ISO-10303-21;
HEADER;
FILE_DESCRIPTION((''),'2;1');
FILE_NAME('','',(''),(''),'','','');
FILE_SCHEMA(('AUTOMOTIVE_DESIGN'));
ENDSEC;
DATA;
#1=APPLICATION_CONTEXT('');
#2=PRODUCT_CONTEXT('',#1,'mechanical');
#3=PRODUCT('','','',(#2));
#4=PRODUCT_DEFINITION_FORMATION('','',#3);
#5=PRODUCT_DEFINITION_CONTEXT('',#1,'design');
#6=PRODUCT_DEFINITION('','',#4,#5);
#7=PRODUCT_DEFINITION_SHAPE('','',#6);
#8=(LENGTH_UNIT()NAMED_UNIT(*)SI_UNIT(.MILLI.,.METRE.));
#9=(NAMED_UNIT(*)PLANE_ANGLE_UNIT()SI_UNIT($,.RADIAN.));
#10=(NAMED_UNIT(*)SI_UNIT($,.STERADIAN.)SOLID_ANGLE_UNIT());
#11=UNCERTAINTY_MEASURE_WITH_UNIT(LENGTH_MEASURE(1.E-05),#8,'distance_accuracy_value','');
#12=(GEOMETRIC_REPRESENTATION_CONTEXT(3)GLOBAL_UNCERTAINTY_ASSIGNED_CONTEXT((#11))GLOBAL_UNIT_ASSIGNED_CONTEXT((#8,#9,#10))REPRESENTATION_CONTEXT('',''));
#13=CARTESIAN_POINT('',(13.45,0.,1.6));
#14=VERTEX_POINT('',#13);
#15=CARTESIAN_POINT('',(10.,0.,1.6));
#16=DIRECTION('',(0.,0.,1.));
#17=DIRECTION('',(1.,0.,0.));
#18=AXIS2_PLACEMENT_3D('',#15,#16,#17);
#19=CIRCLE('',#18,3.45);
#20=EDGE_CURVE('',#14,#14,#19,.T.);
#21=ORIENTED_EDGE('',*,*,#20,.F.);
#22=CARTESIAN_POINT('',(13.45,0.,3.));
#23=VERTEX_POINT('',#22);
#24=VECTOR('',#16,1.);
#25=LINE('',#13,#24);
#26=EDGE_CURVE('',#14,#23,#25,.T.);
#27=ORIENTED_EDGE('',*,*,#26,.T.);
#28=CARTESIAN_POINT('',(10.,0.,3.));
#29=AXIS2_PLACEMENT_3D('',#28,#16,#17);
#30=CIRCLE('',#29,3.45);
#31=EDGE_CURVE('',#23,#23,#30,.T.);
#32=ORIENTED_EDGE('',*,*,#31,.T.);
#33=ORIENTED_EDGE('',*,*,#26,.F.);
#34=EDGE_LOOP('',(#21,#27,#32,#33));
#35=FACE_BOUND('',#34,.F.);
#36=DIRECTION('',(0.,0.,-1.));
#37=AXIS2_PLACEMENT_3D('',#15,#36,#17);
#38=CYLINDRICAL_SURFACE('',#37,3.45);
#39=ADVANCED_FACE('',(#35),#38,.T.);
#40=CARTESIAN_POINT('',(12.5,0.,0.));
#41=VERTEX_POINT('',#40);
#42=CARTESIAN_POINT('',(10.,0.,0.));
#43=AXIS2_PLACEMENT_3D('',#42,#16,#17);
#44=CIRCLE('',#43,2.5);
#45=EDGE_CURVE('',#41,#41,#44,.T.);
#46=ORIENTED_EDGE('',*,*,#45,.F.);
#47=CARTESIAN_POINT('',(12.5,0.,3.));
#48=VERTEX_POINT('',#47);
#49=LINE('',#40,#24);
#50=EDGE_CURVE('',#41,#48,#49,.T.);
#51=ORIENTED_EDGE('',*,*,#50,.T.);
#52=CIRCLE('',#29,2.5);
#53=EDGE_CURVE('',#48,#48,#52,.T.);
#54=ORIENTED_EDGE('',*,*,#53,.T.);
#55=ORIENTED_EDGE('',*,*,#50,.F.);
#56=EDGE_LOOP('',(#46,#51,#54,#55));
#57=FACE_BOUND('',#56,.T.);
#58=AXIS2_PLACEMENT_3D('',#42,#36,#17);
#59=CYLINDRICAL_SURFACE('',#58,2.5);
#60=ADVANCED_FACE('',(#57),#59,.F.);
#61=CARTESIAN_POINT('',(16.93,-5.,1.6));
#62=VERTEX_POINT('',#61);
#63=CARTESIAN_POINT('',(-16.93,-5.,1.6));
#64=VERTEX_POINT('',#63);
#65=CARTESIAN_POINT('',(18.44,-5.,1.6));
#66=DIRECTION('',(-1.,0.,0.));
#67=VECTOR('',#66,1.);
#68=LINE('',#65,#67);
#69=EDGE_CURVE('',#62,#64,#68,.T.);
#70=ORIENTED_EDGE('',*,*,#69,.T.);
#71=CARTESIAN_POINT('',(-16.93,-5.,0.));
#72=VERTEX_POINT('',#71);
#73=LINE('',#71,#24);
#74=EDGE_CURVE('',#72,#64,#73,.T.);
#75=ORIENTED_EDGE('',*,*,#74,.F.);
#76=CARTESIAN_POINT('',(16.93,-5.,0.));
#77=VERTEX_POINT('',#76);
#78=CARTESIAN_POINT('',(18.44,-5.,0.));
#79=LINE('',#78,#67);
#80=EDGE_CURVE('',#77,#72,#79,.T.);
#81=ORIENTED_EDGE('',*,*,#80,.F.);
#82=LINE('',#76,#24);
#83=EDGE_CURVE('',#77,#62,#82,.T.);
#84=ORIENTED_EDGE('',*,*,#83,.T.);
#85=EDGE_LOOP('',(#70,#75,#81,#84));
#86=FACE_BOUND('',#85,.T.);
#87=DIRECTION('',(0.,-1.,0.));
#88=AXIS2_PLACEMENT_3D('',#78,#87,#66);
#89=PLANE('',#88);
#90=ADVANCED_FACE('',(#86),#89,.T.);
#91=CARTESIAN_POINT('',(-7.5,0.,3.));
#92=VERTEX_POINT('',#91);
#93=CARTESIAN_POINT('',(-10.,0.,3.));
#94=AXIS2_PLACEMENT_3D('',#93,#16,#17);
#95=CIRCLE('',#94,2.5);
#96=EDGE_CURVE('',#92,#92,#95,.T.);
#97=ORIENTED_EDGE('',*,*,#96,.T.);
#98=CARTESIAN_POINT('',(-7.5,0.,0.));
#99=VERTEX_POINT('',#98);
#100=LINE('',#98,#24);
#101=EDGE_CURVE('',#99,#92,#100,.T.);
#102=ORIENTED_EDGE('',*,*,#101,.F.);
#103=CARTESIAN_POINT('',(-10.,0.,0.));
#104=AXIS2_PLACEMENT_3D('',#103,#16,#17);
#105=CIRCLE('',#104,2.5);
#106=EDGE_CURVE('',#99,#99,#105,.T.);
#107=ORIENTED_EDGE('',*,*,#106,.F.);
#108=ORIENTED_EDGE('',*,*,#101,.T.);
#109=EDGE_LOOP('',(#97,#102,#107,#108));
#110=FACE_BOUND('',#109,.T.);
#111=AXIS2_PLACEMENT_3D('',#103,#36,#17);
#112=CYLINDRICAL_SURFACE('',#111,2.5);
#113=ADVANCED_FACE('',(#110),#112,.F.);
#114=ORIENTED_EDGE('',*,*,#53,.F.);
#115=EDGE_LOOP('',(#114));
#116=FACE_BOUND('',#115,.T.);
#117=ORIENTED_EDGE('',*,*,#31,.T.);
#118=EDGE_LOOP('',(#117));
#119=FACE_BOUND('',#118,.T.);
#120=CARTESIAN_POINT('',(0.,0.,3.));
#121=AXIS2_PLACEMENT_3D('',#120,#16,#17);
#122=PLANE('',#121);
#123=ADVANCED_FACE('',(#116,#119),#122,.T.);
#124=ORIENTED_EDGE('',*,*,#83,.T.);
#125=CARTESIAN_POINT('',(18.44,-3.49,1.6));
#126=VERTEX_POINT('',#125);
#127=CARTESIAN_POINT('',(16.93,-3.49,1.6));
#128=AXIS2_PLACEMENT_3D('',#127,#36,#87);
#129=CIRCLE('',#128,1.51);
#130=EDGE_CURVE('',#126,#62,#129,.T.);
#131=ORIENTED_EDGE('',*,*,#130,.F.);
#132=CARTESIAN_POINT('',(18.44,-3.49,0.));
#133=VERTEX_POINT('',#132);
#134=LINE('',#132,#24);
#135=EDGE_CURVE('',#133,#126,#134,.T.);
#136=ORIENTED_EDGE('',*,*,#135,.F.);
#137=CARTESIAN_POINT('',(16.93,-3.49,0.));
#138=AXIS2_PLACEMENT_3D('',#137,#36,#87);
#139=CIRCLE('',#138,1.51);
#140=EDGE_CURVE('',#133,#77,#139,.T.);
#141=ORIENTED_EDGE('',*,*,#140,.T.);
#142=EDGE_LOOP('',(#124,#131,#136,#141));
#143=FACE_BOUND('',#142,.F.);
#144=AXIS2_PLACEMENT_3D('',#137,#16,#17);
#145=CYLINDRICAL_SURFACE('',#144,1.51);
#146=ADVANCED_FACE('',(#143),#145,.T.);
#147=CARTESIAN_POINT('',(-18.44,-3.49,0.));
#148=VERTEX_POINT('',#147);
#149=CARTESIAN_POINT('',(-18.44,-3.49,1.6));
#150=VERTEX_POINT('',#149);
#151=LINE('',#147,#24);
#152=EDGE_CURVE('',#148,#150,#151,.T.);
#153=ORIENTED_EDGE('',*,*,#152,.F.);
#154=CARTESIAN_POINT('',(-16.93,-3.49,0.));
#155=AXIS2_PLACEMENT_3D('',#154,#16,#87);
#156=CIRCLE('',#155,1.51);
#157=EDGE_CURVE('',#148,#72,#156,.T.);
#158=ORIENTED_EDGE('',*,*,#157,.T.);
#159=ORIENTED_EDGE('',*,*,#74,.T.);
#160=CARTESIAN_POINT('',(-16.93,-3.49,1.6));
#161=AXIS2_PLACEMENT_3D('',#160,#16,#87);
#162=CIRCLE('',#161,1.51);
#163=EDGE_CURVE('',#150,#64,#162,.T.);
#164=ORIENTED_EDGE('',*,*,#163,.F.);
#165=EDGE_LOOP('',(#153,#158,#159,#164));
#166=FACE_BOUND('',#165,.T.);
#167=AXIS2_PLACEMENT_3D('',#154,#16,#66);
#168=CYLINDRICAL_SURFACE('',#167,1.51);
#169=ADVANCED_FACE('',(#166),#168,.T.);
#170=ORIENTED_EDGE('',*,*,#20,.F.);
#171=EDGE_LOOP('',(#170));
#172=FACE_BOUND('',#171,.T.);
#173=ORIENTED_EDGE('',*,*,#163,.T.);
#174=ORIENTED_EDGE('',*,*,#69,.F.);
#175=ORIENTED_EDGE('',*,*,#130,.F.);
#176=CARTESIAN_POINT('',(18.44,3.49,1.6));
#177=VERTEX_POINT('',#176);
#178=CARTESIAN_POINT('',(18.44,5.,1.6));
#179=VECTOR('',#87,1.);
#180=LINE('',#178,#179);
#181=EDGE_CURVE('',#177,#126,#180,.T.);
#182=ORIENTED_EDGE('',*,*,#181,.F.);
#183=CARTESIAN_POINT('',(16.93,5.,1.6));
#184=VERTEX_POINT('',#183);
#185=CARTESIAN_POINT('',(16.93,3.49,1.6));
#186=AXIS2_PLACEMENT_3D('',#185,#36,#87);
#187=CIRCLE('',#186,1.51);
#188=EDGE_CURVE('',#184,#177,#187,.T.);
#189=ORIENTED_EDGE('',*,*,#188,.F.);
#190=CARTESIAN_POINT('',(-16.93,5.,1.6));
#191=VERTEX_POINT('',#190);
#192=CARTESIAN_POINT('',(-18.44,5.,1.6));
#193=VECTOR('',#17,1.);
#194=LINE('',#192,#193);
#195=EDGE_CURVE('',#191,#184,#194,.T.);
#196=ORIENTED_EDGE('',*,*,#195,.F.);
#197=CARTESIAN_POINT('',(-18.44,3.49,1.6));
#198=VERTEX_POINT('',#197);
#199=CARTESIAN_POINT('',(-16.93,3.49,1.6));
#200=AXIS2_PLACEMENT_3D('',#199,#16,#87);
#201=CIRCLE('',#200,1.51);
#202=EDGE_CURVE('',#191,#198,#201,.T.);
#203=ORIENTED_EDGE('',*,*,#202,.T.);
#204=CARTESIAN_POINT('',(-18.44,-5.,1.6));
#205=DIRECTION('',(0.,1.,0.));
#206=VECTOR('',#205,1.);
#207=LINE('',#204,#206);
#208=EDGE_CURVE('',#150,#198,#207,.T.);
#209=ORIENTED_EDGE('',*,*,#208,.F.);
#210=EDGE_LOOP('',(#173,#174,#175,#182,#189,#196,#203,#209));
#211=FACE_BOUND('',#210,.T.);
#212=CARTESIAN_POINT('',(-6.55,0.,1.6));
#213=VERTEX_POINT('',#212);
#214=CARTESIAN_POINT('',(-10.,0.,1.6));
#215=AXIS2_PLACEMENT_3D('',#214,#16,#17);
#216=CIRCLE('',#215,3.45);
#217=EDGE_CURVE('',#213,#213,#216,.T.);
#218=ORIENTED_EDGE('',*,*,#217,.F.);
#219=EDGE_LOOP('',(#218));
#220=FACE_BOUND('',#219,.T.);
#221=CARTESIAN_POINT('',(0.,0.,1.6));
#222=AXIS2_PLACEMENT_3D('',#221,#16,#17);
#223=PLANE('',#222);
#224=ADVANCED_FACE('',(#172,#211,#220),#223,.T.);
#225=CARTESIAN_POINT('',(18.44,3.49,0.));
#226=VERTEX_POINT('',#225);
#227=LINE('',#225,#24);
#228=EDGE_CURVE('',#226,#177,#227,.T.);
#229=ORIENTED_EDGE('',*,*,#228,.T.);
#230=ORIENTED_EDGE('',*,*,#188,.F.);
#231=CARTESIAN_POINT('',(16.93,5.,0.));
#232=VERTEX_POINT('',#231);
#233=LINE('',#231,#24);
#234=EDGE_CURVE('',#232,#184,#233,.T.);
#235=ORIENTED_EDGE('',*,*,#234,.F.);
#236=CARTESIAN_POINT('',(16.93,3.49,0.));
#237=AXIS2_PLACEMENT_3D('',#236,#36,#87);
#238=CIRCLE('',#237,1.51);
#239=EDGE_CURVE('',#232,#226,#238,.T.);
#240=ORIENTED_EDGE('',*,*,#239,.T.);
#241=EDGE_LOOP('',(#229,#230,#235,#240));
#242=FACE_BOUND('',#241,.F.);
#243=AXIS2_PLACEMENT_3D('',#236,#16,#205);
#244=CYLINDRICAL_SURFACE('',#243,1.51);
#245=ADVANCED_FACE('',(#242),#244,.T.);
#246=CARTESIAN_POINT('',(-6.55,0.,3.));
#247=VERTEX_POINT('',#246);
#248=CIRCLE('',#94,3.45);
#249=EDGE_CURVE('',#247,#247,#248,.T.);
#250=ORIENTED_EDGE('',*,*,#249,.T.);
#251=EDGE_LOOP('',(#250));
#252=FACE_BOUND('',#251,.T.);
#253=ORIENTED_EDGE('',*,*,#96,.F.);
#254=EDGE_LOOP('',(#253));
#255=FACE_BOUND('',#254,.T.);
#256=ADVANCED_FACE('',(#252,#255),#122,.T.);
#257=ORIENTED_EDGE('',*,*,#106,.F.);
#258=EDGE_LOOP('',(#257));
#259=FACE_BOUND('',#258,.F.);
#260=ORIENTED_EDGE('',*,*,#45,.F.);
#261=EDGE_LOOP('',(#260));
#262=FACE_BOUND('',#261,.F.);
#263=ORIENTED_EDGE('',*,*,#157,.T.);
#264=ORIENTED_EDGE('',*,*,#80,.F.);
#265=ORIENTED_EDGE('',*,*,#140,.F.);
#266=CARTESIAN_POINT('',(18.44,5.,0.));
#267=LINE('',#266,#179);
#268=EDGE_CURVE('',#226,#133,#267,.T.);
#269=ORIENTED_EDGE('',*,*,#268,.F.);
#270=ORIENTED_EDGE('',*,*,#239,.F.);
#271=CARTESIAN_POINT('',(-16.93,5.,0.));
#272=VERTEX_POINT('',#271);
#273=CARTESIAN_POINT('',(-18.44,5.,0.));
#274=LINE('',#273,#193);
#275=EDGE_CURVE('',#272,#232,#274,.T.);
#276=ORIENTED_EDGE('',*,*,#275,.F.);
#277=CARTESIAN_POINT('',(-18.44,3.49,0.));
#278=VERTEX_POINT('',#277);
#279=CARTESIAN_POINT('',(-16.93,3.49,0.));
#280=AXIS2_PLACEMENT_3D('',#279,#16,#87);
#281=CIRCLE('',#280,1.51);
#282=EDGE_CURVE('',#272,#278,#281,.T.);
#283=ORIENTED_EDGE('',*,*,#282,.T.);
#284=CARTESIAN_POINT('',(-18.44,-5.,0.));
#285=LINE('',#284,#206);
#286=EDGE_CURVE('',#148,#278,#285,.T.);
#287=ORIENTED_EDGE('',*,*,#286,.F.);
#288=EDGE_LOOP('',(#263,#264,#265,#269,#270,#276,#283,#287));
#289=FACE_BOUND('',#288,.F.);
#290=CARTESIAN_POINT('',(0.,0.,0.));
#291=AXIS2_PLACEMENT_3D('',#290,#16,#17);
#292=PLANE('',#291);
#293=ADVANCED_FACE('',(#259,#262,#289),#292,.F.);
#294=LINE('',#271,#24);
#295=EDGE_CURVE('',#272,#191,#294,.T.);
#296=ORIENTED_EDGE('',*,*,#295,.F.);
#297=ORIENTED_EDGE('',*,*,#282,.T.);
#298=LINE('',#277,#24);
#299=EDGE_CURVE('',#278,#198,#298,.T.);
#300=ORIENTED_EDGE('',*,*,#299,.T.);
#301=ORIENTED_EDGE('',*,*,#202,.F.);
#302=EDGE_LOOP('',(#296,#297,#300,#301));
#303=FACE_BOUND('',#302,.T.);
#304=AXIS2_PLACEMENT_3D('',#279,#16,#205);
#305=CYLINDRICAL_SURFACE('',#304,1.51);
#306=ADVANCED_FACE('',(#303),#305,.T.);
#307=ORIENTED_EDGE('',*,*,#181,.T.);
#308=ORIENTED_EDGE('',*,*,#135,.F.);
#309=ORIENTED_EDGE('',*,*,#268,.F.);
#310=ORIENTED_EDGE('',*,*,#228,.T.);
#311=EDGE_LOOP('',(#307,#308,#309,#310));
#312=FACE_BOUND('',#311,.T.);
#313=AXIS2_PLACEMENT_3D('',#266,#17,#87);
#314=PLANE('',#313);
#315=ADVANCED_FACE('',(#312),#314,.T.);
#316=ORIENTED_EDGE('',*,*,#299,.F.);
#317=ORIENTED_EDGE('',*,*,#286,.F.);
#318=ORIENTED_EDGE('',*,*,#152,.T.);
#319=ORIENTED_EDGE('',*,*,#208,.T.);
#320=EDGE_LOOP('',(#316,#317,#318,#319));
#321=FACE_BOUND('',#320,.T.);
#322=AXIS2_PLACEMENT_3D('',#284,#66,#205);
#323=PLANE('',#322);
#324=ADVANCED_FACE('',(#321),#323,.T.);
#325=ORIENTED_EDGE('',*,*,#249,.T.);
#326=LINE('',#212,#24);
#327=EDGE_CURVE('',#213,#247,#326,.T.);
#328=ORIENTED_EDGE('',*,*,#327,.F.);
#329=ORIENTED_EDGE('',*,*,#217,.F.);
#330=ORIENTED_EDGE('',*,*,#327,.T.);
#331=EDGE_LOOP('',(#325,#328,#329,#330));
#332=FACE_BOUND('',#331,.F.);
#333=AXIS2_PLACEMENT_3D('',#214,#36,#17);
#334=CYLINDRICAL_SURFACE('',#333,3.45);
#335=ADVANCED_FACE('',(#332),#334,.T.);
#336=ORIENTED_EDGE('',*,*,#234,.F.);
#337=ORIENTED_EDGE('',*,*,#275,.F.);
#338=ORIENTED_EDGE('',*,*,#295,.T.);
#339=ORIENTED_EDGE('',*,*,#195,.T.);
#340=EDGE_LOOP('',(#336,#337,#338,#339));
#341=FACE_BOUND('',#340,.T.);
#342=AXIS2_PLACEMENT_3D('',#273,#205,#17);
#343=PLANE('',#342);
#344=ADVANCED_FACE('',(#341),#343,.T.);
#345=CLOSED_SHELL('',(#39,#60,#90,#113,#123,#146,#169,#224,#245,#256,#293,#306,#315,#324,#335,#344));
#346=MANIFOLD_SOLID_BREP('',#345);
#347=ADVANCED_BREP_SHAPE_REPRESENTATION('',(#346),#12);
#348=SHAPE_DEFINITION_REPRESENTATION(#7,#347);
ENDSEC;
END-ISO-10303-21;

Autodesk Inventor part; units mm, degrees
ref_plane "YZ Plane" through (0, 0, 0) normal (1, 0, 0) x (0, 1, 0)
ref_plane "XZ Plane" through (0, 0, 0) normal (0, 1, 0) x (-1, 0, 0)
ref_plane "XY Plane" through (0, 0, 0) normal (0, 0, 1) x (1, 0, 0)
sketch "Sketch1" plane through (0, 0, 0) normal (0, 0, 1) x (1, 0, 0)
  line L0 (-18.44, 5) -> (18.44, 5)
  line L1 (18.44, 5) -> (18.44, -5)
  line L2 (18.44, -5) -> (-18.44, -5)
  line L3 (-18.44, -5) -> (-18.44, 5)
  line L4 (0, 5) -> (0, -5) construction
  line L5 (-18.44, 0) -> (18.44, 0) construction
  circle A0 centre (-10, 0) radius 2.5
  circle A1 centre (10, 0) radius 2.5
  point P0 (0, 0)
  dimension "d0" = 10
  dimension "d1" = 36.88
  dimension "d2" = 5
  dimension "d3" = 20
extrude "Extrusion1" add sketch "Sketch1" along normal blind 1.6
sketch "Sketch2" plane through (0, 0, 1.6) normal (0, 0, 1) x (1, 0, 0)
  circle A0 centre (10, 0) radius 2.5 projected
  circle A1 centre (-10, 0) radius 2.5 projected
  circle A2 centre (-10, 0) radius 3.45
  circle A3 centre (10, 0) radius 3.45
  point P0 (0, 0)
  dimension "d6" = 6.9
  dimension "d7" = 6.9
extrude "Extrusion2" add sketch "Sketch2" along normal blind 1.4
thread "Thread1" size "M5x0.8" class "6H" standard "ANSI Metric M Profile" full length
thread "Thread2" size "M5x0.8" class "6H" standard "ANSI Metric M Profile" full length
fillet "Fillet1" radius 1.51 4 edges at (18.44, 5, 0.8) (18.44, -5, 0.8) (-18.44, -5, 0.8) (-18.44, 5, 0.8)
properties part number "doube t-nut"
